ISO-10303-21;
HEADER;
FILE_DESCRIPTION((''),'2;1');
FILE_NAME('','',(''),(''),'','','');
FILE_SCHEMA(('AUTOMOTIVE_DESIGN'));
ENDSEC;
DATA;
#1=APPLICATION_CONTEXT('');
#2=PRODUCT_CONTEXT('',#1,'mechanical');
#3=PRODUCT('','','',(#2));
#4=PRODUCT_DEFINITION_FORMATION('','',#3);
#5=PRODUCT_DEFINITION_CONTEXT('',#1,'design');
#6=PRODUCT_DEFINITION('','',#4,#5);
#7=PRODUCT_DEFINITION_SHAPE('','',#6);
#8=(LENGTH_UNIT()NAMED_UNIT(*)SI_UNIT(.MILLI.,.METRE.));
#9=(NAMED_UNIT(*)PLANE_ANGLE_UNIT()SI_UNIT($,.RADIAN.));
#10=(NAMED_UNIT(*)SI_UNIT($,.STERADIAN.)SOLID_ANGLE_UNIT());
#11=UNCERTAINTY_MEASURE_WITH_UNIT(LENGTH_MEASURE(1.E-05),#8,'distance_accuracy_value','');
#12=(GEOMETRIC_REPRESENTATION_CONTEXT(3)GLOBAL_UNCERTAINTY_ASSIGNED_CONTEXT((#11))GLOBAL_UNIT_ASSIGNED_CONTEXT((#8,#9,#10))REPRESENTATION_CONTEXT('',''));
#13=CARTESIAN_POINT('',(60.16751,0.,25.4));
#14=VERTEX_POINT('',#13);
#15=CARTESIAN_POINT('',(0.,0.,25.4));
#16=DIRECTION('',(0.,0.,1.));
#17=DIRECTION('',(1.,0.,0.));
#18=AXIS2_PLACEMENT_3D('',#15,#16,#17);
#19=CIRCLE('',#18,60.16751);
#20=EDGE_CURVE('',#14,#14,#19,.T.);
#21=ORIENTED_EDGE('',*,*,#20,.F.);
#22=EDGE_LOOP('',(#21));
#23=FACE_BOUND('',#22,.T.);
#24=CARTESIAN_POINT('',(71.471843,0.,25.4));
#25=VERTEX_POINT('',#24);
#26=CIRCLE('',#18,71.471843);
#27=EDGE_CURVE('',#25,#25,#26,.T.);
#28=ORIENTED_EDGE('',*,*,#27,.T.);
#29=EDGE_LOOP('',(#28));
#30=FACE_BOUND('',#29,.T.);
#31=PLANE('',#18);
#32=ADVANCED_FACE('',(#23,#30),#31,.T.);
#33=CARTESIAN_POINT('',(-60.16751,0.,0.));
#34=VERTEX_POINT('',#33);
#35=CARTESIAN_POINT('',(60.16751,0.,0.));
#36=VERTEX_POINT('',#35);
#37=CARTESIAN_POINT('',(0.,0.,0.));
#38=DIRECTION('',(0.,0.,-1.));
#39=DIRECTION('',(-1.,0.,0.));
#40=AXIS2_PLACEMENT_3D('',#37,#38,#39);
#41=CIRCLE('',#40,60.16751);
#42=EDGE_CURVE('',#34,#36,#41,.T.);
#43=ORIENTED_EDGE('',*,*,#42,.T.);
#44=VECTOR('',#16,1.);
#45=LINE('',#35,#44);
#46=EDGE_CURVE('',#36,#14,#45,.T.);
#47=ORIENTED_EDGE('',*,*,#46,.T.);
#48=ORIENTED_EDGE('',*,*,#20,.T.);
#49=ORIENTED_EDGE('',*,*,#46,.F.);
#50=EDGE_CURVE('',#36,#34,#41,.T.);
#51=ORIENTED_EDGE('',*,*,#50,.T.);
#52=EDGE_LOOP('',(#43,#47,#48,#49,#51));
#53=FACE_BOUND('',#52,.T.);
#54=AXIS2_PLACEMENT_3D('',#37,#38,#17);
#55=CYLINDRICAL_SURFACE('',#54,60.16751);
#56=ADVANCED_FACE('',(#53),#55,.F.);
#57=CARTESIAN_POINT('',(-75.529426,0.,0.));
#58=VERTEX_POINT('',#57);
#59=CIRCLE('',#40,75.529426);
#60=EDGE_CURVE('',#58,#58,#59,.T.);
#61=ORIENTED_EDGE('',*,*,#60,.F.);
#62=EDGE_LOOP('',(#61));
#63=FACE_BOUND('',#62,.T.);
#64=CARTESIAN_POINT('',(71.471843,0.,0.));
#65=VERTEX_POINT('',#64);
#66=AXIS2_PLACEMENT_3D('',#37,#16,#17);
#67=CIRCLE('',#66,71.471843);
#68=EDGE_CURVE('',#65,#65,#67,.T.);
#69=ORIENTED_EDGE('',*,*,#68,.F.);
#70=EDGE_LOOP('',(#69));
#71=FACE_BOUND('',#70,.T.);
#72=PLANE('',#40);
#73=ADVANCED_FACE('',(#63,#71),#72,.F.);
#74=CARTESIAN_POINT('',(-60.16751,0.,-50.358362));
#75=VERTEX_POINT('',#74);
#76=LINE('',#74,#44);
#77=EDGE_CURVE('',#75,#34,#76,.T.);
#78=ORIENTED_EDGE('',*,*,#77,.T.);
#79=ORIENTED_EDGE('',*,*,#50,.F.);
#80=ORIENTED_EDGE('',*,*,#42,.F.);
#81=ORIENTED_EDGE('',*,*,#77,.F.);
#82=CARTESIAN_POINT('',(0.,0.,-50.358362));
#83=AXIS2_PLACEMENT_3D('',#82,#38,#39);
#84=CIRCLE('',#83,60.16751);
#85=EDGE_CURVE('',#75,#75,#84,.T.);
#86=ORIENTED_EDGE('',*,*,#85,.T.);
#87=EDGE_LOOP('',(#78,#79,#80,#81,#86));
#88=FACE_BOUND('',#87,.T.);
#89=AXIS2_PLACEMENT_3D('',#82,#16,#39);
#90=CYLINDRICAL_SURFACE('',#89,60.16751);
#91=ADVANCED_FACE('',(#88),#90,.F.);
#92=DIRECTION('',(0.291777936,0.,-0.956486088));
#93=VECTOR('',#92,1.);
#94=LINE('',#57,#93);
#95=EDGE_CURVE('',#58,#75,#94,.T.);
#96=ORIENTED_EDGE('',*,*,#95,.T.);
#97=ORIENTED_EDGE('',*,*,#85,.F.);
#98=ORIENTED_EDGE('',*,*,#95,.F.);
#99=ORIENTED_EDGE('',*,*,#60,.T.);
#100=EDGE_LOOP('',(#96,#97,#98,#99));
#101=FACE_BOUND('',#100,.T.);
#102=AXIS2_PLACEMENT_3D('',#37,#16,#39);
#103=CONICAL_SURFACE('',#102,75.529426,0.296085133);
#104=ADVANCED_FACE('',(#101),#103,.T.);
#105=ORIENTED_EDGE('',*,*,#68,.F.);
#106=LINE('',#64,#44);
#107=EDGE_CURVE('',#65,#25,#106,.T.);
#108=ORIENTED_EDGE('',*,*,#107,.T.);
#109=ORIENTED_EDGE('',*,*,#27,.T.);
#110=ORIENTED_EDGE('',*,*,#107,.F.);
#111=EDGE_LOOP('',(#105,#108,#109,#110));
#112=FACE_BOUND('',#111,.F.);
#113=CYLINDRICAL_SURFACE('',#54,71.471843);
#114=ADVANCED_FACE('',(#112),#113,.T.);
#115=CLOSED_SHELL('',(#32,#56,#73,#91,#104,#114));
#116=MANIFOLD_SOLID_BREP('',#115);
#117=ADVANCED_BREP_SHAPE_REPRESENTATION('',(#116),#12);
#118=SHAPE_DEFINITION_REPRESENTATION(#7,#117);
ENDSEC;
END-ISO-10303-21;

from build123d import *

# Parameters (mm, degrees)
F2_R     = 71.471843
F2_R_2   = 60.16751
F3_DEPTH = 25.4


with BuildPart() as f1:
    # F0 (on Front) → F1 (revolve)
    with BuildSketch(Plane.XZ):
        Polygon((-60.16751, -50.358362), (-60.16751, 0), (-75.529426, 0), align=None)
    revolve(axis=Axis((0, 0, -22.354487), (0, 0, -1)))

    # F2 (on face) → F3 (join)
    with BuildSketch(Plane.XY):
        Circle(F2_R)
        Circle(F2_R_2, mode=Mode.SUBTRACT)
    extrude(amount=F3_DEPTH)


solid = f1.part
